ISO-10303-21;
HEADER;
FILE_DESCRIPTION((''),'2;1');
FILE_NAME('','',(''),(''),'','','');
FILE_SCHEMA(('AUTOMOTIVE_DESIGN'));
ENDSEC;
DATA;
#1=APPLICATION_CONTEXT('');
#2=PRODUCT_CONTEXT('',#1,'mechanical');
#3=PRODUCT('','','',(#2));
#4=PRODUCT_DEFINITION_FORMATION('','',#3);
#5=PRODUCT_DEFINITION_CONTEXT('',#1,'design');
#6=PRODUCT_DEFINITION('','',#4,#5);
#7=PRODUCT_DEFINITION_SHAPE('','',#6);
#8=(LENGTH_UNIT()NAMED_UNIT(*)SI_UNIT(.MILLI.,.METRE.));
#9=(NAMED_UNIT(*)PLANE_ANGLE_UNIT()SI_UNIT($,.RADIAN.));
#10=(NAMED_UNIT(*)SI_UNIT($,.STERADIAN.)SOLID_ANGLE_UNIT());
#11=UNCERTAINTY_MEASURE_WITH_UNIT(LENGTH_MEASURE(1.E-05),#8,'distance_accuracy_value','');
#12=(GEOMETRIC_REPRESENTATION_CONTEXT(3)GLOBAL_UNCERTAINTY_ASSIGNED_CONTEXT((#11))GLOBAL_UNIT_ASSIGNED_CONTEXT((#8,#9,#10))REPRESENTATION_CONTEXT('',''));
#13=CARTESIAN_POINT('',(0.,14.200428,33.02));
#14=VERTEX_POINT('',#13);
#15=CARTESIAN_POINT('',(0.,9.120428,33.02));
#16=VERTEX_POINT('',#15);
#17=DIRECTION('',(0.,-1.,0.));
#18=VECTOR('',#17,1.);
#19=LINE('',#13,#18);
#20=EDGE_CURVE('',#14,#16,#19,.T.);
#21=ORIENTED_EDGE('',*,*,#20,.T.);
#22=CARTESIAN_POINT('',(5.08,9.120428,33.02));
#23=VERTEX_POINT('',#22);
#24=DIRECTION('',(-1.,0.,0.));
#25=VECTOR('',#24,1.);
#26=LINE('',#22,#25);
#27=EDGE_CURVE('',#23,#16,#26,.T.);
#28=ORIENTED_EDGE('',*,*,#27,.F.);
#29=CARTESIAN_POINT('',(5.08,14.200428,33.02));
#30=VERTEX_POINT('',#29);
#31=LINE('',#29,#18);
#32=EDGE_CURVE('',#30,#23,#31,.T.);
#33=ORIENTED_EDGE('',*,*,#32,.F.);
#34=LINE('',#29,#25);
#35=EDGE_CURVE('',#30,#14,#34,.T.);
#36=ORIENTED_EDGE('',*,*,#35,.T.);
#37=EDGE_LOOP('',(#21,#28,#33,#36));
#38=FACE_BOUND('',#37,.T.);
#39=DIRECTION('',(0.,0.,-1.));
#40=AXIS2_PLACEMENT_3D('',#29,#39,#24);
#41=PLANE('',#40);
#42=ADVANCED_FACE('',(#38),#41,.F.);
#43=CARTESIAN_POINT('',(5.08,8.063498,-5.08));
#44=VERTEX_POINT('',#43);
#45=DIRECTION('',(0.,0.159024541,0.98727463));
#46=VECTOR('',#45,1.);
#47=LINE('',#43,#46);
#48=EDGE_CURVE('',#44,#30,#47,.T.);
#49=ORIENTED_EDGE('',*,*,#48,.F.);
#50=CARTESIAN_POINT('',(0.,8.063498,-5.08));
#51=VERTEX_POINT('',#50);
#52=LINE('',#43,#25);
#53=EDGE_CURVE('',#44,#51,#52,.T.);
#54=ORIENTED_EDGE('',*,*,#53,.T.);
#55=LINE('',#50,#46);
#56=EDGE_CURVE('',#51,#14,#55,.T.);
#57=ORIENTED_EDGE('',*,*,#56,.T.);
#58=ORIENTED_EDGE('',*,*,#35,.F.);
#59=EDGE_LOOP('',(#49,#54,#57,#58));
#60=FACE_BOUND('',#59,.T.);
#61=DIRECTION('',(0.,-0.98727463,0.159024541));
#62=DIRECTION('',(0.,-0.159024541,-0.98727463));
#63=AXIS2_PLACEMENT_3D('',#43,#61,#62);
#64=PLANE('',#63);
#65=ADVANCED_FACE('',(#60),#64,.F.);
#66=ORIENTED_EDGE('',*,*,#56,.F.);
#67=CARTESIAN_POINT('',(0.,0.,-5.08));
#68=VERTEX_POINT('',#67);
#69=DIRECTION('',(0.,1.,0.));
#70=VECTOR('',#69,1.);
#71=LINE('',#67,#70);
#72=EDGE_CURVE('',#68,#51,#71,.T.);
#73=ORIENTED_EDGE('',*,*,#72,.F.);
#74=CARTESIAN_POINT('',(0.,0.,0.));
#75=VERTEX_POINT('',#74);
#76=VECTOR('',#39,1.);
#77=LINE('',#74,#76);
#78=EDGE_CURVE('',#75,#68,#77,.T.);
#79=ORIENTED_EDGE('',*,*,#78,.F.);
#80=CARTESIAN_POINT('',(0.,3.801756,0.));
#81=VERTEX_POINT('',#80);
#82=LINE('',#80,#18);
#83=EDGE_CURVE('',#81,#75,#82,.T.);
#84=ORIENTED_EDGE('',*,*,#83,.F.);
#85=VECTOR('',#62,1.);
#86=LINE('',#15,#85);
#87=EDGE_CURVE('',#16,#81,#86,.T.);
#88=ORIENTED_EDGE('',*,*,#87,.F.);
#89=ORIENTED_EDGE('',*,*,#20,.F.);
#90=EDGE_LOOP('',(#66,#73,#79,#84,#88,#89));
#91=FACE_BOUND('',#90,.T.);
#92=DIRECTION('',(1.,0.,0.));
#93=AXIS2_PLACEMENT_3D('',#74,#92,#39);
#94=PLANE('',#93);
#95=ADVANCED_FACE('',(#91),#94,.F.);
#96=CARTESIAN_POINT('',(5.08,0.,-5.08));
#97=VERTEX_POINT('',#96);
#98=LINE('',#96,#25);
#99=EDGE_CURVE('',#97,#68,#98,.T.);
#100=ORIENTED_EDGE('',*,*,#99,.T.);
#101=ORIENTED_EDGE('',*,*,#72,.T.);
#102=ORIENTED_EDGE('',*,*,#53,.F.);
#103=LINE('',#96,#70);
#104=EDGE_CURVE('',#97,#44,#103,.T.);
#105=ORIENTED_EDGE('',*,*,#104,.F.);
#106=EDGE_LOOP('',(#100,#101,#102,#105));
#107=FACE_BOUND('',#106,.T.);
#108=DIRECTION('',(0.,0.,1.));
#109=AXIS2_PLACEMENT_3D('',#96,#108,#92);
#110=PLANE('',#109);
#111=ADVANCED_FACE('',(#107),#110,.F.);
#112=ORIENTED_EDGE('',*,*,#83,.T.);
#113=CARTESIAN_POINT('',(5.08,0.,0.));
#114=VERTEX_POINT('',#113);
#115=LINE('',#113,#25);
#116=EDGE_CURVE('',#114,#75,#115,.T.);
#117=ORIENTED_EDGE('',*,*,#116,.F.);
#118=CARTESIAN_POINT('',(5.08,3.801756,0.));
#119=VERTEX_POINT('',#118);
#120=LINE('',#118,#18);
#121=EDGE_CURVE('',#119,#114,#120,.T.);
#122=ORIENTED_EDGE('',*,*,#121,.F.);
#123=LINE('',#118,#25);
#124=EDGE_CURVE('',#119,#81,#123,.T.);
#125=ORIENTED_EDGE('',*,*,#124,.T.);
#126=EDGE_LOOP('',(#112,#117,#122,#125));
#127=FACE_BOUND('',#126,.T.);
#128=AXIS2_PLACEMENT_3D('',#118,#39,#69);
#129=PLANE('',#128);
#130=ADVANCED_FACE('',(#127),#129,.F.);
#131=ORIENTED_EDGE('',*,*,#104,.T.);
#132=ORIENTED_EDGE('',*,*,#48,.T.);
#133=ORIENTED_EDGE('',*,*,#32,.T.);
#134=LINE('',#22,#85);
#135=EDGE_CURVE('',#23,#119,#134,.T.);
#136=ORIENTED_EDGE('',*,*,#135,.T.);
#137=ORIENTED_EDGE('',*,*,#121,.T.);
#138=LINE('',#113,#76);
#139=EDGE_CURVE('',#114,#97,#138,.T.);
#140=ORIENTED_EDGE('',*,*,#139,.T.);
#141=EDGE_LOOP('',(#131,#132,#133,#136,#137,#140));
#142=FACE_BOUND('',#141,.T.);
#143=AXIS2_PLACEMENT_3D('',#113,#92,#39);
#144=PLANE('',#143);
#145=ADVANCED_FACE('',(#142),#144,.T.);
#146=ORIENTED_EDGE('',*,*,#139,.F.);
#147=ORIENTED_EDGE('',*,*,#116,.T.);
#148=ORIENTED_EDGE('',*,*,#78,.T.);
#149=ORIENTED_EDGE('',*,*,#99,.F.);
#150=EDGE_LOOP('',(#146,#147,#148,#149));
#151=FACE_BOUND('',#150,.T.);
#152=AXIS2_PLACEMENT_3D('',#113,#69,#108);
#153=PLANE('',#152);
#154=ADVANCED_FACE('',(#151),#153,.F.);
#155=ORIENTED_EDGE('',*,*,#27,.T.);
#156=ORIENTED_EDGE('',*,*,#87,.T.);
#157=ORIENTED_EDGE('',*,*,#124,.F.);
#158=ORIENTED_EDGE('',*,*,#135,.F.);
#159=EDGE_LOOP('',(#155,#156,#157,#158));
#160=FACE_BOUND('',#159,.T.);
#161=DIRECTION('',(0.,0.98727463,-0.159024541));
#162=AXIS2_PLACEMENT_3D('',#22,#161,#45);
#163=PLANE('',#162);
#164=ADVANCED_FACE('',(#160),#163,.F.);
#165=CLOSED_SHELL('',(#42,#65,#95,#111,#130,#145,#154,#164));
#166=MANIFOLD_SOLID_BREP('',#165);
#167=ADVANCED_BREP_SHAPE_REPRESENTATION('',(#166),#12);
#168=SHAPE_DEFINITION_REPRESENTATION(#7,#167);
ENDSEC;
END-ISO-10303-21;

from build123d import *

# Parameters (mm, degrees)
BOSS_EXTRUDE1_DEPTH = 5.08


with BuildPart() as part:
    # Sketch2 → Boss-Extrude1 (new body)
    with BuildSketch(Plane(origin=(0, 0, 0), x_dir=(0, 0, -1), z_dir=(1, 0, 0))):
        Polygon((0, 0), (5.08, 0), (5.08, 8.063498442), (-33.02, 14.200428151), (-33.02, 9.120428151), (0, 3.801755737), align=None)
    extrude(amount=BOSS_EXTRUDE1_DEPTH)


solid = part.part
